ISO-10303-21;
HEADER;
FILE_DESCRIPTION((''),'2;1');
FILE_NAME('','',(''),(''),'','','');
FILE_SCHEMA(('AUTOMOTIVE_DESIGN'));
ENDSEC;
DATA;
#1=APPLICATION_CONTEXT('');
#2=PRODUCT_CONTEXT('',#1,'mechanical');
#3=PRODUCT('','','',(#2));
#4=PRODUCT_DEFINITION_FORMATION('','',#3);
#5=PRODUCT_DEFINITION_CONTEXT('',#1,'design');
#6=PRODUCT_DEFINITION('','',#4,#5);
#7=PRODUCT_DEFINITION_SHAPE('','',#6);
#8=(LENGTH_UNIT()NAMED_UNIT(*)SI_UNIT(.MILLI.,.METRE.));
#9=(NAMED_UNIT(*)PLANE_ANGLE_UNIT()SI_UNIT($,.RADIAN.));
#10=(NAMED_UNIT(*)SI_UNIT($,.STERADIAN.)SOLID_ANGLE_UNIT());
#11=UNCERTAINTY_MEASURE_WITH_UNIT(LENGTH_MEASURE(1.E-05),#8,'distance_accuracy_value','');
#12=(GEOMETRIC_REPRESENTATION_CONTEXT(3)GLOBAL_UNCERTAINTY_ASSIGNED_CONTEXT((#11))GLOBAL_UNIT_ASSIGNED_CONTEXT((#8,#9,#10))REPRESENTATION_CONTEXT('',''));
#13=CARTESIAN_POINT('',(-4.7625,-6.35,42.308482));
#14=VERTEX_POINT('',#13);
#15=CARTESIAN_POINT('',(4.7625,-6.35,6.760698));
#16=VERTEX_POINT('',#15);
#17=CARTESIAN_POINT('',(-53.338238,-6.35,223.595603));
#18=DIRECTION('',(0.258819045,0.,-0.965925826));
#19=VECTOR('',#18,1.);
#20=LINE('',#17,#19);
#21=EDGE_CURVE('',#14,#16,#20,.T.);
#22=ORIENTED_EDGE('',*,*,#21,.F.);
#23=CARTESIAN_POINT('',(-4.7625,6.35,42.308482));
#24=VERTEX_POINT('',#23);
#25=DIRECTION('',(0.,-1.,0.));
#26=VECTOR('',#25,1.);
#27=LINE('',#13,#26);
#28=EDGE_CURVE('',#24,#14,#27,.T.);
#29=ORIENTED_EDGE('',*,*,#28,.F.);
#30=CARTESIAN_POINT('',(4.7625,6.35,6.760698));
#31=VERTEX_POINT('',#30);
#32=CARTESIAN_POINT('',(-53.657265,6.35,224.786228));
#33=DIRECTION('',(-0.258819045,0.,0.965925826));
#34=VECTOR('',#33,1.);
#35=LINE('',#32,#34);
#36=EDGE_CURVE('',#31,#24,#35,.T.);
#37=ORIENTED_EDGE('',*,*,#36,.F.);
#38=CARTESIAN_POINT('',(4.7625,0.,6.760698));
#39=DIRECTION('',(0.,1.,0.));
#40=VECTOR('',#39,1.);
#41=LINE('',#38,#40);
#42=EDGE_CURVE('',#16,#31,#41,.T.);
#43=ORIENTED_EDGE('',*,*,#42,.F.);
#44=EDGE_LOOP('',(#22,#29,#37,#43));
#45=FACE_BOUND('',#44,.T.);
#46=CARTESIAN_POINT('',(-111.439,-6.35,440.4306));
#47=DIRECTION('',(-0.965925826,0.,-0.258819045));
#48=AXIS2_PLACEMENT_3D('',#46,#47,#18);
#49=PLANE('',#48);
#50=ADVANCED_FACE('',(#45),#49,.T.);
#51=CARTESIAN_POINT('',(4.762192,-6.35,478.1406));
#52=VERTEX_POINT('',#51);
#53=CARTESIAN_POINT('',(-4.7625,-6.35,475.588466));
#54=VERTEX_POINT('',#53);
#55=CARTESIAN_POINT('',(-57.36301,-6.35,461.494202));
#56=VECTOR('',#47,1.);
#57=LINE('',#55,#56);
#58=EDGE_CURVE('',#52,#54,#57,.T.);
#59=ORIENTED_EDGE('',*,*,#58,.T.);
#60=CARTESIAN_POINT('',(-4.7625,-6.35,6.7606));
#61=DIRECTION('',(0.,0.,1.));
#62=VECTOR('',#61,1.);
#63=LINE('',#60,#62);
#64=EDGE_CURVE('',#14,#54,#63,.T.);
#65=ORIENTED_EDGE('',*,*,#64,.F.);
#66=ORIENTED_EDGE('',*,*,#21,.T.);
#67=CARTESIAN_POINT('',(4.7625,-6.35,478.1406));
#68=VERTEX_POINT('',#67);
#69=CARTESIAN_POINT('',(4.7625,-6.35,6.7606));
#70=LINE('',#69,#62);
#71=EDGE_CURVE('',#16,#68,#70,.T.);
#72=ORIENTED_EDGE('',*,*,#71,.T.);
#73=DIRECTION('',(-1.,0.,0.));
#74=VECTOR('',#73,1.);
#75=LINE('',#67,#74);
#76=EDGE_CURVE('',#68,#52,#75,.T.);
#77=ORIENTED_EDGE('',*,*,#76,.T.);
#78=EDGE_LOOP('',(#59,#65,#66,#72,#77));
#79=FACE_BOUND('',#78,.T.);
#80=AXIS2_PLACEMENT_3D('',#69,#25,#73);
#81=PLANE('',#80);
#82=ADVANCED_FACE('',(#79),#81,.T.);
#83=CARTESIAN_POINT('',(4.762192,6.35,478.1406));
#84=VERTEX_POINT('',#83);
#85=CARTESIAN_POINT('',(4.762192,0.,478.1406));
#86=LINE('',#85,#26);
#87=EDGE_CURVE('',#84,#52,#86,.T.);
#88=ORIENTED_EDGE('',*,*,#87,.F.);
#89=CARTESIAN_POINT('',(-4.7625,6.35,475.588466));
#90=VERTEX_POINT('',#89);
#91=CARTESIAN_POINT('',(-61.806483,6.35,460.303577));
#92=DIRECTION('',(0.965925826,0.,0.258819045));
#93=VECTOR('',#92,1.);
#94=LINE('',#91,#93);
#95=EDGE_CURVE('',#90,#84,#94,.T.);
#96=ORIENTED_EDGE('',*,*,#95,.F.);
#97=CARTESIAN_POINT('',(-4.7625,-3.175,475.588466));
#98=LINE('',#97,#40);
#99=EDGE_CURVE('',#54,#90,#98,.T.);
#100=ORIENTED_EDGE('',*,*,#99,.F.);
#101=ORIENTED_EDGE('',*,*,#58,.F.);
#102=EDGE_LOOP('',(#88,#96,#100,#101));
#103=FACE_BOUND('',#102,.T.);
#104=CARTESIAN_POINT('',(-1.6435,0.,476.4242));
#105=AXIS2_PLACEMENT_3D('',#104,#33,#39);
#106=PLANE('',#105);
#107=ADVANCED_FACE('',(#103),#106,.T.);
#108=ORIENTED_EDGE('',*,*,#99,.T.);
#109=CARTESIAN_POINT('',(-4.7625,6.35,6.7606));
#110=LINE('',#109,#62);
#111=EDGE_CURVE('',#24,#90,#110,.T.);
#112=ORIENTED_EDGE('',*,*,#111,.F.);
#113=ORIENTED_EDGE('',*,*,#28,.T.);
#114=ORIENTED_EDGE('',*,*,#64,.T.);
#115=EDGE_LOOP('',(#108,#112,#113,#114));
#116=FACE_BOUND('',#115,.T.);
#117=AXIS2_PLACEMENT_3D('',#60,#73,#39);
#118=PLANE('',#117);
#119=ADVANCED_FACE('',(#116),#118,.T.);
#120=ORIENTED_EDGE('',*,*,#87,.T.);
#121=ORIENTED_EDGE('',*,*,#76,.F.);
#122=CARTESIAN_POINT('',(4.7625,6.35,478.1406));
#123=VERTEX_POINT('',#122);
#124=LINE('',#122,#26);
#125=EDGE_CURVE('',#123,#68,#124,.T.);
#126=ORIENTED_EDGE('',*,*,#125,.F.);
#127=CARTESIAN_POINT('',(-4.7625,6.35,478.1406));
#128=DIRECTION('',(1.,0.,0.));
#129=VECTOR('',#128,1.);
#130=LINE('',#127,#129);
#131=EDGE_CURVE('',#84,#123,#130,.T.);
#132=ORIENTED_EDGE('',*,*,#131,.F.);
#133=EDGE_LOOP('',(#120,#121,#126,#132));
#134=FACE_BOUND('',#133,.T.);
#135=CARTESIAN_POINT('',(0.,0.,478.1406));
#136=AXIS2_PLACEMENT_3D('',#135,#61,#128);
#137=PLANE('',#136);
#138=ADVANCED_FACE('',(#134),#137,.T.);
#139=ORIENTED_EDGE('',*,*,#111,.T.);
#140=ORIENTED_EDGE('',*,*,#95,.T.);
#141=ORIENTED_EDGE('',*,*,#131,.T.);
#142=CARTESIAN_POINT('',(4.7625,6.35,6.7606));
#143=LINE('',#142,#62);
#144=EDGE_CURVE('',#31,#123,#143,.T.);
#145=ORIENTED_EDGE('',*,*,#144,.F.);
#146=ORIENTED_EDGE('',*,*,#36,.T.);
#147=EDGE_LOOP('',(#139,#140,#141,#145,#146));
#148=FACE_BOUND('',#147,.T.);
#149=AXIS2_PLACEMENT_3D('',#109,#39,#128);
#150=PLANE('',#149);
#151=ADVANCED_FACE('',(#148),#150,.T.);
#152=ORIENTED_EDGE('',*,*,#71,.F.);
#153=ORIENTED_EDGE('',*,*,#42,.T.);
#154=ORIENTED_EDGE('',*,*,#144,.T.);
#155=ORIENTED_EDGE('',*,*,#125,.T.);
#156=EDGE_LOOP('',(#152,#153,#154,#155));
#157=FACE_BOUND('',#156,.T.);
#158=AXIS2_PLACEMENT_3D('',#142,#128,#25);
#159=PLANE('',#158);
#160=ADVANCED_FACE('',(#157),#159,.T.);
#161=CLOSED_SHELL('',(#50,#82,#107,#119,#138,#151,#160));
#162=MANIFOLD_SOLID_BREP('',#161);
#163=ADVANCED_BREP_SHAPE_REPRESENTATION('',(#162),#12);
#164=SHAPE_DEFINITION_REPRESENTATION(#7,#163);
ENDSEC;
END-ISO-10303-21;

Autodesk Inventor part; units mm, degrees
ref_plane "Start plane" through (0, 0, 6.7606) normal (0, 0, 1) x (1, 0, 0)
ref_plane "End plane" through (0, 0, 478.1407) normal (0, 0, 1) x (1, 0, 0)
sketch "Sketch" plane through (0, 0, 0) normal (0, 0, 1) x (1, 0, 0)
  line L0 (4.7625, -6.35) -> (-4.7625, -6.35)
  line L1 (-4.7625, -6.35) -> (-4.7625, 6.35)
  line L2 (-4.7625, 6.35) -> (4.7625, 6.35)
  line L3 (4.7625, 6.35) -> (4.7625, -6.35)
  line L4 (-6, 0) -> (8, 0) construction
  line L5 (0, -30) -> (0, 40) construction
  line L6 (0, 54) -> (0, -44) construction
  line L7 (-9.2, 0) -> (13.2, 0) construction
  dimension "d0" = 12.7
  dimension "d1" = 9.525
  dimension "d4" = 4.7625
  dimension "d5" = 6.35
extrude "Body" add sketch "Sketch" along normal up to surface (471.38 mm away) from surface at 6.7606
sketch "Sketch3" plane through (0, 0, 0) normal (0, 0, 1) x (1, 0, 0)
  line L0 (0, 0) -> (10, 0)
ref_plane "Work Plane3" through (0, 0, 0) normal (0, -1, 0) x (1, 0, 0)
sketch "Sketch4" plane through (0, 0, 0) normal (0, -1, 0) x (1, 0, 0)
  line L0 (-2, 6.7606) -> (12, 6.7606)
  line L1 (-2, 478.1407) -> (12, 478.1407)
  dimension "d9" = 471.38
ref_plane "Work Plane7" through (-1.6435, 0, 476.4242) normal (-0.2588, 0, 0.9659) x (0.9659, 0, 0.2588)
split "Split4" plane through (-1.6435, 0, 476.4242) removes the side toward (-0.2588, 0, 0.9659)
ref_plane "Work Plane8" through (-111.439, -6.35, 440.4306) normal (-0.9659, 0, -0.2588) x (-0.2588, 0, 0.9659)
split "Split5" plane through (-111.439, -6.35, 440.4306) removes the side toward (-0.9659, 0, -0.2588)
equation "\"d0\" = G_W"
equation "\"d1\" = G_H"
equation "\"d4\" = 0.5 * d1"
equation "\"d5\" = 0.5 * d0"
equation "\"d2\" = G_L"
equation "\"G_W\" = 12.7"
equation "\"G_H\" = 9.525"
equation "\"G_L\" = d9"
equation "\"G_OFFSET_START\" = -6.76062"
equation "\"G_OFFSET_END\" = 7.85011"
equation "\"d6\" = -G_OFFSET_START"
equation "\"d7\" = G_OFFSET_END + B_L"
equation "\"B_L\" = 470.29055"
properties part number "AISC - 1/2x3/8 - 18.558" material "Steel, Alloy"
